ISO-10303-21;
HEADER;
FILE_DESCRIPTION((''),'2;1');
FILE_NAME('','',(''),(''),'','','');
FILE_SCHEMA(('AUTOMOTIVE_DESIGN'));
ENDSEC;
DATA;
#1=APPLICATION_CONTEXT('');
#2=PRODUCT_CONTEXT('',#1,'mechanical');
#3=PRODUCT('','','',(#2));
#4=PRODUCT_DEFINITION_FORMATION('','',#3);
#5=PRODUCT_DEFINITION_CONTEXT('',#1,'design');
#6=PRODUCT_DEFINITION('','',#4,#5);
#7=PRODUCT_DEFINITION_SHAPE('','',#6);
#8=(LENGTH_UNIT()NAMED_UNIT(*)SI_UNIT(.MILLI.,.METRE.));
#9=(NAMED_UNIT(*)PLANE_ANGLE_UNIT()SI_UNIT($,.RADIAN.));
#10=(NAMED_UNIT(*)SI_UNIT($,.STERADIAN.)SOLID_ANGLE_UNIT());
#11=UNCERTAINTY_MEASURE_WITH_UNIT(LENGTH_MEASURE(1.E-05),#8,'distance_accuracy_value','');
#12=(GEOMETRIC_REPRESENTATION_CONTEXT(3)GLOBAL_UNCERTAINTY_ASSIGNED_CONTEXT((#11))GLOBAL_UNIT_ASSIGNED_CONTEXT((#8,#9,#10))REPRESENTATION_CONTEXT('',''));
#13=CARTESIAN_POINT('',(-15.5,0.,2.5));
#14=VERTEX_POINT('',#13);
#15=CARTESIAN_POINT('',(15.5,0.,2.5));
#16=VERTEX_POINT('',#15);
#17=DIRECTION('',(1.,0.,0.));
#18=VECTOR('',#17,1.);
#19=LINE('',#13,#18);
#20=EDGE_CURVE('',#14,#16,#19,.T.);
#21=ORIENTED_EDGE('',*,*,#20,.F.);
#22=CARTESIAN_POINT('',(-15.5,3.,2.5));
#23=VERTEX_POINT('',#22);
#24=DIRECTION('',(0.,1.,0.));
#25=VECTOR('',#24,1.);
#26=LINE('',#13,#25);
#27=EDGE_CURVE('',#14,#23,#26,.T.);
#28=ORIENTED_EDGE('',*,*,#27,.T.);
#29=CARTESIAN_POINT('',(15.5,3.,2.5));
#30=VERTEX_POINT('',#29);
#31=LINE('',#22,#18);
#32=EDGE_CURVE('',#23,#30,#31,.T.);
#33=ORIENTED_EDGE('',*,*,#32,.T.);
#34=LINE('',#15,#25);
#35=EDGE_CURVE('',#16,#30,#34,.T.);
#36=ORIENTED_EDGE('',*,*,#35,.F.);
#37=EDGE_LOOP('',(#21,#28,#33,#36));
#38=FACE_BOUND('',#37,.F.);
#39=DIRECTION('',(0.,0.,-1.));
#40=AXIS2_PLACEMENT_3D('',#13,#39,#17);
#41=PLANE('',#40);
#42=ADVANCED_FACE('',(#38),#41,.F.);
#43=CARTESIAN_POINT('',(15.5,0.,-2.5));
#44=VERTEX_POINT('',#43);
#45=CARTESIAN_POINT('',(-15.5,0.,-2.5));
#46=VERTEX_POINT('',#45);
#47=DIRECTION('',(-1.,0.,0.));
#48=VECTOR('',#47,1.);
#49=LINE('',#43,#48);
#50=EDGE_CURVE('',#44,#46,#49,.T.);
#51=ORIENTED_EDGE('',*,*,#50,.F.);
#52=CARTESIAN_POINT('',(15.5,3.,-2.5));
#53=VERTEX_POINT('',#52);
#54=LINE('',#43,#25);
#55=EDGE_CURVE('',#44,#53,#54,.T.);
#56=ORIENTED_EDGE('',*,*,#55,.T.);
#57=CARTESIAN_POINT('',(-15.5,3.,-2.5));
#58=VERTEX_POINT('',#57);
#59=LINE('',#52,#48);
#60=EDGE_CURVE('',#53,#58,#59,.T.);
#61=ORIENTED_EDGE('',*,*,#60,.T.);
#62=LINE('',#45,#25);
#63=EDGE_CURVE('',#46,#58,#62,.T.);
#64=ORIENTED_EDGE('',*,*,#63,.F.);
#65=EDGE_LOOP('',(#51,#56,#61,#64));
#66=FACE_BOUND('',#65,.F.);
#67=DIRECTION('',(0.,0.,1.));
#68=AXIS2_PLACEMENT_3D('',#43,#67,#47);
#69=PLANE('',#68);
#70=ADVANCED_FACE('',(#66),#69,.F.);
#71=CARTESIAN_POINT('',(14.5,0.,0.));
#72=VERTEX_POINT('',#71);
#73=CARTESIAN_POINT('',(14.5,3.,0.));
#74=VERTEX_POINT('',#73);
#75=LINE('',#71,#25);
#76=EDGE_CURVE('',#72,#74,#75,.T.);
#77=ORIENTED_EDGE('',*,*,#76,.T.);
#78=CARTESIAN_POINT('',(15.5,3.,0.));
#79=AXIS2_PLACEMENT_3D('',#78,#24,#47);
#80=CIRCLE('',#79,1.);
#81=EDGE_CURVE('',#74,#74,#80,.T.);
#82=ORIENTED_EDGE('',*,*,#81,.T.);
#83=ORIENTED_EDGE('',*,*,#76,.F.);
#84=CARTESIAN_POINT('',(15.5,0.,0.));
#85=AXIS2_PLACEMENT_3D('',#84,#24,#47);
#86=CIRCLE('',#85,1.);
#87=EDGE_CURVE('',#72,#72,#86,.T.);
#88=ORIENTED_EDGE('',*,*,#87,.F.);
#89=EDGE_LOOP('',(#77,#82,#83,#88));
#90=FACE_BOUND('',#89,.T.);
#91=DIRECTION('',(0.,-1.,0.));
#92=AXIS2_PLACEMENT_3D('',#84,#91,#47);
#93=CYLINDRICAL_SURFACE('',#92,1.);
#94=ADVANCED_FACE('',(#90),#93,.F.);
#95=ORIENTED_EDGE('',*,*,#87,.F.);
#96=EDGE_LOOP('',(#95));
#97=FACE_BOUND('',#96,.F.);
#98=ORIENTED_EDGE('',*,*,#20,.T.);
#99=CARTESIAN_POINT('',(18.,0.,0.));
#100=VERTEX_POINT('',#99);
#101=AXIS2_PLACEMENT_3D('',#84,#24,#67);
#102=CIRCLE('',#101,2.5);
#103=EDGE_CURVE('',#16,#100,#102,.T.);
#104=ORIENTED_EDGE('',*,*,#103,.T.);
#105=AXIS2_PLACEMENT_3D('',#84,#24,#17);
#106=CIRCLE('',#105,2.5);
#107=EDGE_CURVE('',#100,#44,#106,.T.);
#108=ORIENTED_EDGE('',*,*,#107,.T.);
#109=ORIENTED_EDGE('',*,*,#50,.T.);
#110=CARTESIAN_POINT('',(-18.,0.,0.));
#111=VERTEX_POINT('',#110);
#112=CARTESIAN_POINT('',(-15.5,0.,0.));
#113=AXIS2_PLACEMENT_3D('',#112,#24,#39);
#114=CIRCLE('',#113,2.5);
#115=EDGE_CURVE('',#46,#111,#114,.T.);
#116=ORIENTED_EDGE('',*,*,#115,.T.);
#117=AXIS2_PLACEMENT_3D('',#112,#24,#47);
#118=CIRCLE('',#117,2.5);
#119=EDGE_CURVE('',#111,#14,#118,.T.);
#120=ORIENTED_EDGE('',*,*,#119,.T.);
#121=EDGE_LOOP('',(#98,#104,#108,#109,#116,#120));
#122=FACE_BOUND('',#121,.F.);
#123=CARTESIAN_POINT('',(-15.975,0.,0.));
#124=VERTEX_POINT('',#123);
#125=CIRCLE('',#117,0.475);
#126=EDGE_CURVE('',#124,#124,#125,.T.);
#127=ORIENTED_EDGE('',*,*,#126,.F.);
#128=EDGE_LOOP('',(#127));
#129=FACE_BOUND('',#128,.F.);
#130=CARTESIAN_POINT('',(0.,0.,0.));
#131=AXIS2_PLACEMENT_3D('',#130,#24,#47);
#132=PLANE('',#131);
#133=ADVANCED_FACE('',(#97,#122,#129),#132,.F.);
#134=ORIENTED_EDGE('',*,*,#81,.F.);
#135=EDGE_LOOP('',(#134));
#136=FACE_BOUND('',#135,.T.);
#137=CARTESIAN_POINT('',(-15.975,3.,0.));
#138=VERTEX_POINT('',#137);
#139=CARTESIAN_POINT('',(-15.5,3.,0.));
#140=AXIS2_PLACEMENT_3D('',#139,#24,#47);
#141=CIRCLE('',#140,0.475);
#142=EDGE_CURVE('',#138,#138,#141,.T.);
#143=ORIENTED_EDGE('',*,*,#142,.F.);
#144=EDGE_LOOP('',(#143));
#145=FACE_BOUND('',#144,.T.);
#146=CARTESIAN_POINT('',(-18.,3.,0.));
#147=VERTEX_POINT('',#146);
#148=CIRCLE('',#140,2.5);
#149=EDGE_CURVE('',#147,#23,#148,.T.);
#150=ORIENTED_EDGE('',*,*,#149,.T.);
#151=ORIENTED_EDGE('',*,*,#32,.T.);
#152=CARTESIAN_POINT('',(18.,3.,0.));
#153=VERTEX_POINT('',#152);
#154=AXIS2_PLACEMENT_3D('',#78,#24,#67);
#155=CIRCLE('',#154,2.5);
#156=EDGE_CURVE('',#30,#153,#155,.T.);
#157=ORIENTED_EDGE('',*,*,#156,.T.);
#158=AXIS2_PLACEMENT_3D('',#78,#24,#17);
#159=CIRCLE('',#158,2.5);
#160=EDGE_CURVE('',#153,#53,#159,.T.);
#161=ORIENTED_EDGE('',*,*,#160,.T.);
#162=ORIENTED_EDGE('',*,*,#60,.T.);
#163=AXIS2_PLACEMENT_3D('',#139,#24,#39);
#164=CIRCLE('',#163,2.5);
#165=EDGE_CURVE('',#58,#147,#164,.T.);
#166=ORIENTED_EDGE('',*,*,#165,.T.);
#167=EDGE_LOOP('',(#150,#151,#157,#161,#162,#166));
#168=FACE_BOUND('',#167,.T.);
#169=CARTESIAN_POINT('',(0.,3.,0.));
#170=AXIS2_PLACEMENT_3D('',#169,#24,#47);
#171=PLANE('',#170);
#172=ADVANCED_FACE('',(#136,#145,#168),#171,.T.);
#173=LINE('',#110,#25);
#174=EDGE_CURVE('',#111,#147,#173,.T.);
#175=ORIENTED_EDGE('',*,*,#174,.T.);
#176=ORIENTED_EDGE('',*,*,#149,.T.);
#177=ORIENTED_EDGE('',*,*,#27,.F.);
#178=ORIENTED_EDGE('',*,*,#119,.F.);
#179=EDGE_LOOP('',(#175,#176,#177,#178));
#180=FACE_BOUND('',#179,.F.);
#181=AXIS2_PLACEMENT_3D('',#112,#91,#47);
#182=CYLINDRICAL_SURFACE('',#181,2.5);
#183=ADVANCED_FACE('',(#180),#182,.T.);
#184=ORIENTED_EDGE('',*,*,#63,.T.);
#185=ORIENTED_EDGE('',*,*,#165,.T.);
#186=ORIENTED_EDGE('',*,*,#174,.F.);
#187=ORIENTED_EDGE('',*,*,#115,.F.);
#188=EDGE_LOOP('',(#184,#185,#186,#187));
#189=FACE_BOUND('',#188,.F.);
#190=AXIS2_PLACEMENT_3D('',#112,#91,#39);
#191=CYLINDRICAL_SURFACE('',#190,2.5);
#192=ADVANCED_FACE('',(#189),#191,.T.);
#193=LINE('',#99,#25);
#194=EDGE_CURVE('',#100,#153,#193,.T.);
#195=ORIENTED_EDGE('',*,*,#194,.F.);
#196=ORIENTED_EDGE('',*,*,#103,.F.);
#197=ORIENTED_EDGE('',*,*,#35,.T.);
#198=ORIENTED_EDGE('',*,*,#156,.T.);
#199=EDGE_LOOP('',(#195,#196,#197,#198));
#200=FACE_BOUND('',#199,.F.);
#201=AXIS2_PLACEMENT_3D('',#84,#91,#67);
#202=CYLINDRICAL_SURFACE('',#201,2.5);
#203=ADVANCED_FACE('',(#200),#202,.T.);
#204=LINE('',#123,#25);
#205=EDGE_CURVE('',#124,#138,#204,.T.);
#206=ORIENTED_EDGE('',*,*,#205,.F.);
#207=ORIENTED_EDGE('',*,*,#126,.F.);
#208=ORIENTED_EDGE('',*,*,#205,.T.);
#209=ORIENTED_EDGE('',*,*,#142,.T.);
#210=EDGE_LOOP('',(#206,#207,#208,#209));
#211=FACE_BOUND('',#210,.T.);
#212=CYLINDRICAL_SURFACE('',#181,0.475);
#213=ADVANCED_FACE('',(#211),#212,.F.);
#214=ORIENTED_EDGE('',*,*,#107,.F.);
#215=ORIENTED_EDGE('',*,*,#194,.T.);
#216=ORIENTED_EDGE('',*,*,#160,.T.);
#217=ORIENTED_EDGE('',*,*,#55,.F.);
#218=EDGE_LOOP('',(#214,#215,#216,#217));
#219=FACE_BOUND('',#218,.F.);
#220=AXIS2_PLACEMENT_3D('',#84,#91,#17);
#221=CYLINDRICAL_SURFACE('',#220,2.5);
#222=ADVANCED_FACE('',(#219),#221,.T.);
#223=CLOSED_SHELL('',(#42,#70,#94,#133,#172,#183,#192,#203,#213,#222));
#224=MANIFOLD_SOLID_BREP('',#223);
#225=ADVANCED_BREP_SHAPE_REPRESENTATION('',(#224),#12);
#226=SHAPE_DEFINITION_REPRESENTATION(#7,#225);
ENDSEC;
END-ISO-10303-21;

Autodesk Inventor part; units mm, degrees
ref_plane "YZ Plane" through (0, 0, 0) normal (1, 0, 0) x (0, 1, 0)
ref_plane "XZ Plane" through (0, 0, 0) normal (0, 1, 0) x (-1, 0, 0)
ref_plane "XY Plane" through (0, 0, 0) normal (0, 0, 1) x (1, 0, 0)
sketch "Sketch1" plane through (0, 0, 0) normal (0, 1, 0) x (-1, 0, 0)
  line L0 (15.5, 2.5) -> (-15.5, 2.5)
  line L1 (-18, 0) -> (-18, 0)
  line L2 (-15.5, -2.5) -> (15.5, -2.5)
  line L3 (18, 0) -> (18, 0)
  line L4 (18, 2.5) -> (-18, -2.5) construction
  line L5 (-18, 2.5) -> (18, -2.5) construction
  arc A0 (18, 0) -> (15.5, 2.5) centre (15.5, 0) ccw
  arc A1 (15.5, -2.5) -> (18, 0) centre (15.5, 0) ccw
  arc A2 (-15.5, 2.5) -> (-18, 0) centre (-15.5, 0) ccw
  arc A3 (-18, 0) -> (-15.5, -2.5) centre (-15.5, 0) ccw
  circle A4 centre (15.5, 0) radius 0.475
  circle A5 centre (-15.5, 0) radius 1
  point P0 (0, 0)
  point P1 (-18, 0)
  point P2 (18, 0)
  dimension "d0" = 5
  dimension "d1" = 2.5
  dimension "d2" = 31
  dimension "d3" = 0.95
  dimension "d4" = 2
extrude "Extrusion1" add sketch "Sketch1" along normal blind 3
properties part number "push_rod"
